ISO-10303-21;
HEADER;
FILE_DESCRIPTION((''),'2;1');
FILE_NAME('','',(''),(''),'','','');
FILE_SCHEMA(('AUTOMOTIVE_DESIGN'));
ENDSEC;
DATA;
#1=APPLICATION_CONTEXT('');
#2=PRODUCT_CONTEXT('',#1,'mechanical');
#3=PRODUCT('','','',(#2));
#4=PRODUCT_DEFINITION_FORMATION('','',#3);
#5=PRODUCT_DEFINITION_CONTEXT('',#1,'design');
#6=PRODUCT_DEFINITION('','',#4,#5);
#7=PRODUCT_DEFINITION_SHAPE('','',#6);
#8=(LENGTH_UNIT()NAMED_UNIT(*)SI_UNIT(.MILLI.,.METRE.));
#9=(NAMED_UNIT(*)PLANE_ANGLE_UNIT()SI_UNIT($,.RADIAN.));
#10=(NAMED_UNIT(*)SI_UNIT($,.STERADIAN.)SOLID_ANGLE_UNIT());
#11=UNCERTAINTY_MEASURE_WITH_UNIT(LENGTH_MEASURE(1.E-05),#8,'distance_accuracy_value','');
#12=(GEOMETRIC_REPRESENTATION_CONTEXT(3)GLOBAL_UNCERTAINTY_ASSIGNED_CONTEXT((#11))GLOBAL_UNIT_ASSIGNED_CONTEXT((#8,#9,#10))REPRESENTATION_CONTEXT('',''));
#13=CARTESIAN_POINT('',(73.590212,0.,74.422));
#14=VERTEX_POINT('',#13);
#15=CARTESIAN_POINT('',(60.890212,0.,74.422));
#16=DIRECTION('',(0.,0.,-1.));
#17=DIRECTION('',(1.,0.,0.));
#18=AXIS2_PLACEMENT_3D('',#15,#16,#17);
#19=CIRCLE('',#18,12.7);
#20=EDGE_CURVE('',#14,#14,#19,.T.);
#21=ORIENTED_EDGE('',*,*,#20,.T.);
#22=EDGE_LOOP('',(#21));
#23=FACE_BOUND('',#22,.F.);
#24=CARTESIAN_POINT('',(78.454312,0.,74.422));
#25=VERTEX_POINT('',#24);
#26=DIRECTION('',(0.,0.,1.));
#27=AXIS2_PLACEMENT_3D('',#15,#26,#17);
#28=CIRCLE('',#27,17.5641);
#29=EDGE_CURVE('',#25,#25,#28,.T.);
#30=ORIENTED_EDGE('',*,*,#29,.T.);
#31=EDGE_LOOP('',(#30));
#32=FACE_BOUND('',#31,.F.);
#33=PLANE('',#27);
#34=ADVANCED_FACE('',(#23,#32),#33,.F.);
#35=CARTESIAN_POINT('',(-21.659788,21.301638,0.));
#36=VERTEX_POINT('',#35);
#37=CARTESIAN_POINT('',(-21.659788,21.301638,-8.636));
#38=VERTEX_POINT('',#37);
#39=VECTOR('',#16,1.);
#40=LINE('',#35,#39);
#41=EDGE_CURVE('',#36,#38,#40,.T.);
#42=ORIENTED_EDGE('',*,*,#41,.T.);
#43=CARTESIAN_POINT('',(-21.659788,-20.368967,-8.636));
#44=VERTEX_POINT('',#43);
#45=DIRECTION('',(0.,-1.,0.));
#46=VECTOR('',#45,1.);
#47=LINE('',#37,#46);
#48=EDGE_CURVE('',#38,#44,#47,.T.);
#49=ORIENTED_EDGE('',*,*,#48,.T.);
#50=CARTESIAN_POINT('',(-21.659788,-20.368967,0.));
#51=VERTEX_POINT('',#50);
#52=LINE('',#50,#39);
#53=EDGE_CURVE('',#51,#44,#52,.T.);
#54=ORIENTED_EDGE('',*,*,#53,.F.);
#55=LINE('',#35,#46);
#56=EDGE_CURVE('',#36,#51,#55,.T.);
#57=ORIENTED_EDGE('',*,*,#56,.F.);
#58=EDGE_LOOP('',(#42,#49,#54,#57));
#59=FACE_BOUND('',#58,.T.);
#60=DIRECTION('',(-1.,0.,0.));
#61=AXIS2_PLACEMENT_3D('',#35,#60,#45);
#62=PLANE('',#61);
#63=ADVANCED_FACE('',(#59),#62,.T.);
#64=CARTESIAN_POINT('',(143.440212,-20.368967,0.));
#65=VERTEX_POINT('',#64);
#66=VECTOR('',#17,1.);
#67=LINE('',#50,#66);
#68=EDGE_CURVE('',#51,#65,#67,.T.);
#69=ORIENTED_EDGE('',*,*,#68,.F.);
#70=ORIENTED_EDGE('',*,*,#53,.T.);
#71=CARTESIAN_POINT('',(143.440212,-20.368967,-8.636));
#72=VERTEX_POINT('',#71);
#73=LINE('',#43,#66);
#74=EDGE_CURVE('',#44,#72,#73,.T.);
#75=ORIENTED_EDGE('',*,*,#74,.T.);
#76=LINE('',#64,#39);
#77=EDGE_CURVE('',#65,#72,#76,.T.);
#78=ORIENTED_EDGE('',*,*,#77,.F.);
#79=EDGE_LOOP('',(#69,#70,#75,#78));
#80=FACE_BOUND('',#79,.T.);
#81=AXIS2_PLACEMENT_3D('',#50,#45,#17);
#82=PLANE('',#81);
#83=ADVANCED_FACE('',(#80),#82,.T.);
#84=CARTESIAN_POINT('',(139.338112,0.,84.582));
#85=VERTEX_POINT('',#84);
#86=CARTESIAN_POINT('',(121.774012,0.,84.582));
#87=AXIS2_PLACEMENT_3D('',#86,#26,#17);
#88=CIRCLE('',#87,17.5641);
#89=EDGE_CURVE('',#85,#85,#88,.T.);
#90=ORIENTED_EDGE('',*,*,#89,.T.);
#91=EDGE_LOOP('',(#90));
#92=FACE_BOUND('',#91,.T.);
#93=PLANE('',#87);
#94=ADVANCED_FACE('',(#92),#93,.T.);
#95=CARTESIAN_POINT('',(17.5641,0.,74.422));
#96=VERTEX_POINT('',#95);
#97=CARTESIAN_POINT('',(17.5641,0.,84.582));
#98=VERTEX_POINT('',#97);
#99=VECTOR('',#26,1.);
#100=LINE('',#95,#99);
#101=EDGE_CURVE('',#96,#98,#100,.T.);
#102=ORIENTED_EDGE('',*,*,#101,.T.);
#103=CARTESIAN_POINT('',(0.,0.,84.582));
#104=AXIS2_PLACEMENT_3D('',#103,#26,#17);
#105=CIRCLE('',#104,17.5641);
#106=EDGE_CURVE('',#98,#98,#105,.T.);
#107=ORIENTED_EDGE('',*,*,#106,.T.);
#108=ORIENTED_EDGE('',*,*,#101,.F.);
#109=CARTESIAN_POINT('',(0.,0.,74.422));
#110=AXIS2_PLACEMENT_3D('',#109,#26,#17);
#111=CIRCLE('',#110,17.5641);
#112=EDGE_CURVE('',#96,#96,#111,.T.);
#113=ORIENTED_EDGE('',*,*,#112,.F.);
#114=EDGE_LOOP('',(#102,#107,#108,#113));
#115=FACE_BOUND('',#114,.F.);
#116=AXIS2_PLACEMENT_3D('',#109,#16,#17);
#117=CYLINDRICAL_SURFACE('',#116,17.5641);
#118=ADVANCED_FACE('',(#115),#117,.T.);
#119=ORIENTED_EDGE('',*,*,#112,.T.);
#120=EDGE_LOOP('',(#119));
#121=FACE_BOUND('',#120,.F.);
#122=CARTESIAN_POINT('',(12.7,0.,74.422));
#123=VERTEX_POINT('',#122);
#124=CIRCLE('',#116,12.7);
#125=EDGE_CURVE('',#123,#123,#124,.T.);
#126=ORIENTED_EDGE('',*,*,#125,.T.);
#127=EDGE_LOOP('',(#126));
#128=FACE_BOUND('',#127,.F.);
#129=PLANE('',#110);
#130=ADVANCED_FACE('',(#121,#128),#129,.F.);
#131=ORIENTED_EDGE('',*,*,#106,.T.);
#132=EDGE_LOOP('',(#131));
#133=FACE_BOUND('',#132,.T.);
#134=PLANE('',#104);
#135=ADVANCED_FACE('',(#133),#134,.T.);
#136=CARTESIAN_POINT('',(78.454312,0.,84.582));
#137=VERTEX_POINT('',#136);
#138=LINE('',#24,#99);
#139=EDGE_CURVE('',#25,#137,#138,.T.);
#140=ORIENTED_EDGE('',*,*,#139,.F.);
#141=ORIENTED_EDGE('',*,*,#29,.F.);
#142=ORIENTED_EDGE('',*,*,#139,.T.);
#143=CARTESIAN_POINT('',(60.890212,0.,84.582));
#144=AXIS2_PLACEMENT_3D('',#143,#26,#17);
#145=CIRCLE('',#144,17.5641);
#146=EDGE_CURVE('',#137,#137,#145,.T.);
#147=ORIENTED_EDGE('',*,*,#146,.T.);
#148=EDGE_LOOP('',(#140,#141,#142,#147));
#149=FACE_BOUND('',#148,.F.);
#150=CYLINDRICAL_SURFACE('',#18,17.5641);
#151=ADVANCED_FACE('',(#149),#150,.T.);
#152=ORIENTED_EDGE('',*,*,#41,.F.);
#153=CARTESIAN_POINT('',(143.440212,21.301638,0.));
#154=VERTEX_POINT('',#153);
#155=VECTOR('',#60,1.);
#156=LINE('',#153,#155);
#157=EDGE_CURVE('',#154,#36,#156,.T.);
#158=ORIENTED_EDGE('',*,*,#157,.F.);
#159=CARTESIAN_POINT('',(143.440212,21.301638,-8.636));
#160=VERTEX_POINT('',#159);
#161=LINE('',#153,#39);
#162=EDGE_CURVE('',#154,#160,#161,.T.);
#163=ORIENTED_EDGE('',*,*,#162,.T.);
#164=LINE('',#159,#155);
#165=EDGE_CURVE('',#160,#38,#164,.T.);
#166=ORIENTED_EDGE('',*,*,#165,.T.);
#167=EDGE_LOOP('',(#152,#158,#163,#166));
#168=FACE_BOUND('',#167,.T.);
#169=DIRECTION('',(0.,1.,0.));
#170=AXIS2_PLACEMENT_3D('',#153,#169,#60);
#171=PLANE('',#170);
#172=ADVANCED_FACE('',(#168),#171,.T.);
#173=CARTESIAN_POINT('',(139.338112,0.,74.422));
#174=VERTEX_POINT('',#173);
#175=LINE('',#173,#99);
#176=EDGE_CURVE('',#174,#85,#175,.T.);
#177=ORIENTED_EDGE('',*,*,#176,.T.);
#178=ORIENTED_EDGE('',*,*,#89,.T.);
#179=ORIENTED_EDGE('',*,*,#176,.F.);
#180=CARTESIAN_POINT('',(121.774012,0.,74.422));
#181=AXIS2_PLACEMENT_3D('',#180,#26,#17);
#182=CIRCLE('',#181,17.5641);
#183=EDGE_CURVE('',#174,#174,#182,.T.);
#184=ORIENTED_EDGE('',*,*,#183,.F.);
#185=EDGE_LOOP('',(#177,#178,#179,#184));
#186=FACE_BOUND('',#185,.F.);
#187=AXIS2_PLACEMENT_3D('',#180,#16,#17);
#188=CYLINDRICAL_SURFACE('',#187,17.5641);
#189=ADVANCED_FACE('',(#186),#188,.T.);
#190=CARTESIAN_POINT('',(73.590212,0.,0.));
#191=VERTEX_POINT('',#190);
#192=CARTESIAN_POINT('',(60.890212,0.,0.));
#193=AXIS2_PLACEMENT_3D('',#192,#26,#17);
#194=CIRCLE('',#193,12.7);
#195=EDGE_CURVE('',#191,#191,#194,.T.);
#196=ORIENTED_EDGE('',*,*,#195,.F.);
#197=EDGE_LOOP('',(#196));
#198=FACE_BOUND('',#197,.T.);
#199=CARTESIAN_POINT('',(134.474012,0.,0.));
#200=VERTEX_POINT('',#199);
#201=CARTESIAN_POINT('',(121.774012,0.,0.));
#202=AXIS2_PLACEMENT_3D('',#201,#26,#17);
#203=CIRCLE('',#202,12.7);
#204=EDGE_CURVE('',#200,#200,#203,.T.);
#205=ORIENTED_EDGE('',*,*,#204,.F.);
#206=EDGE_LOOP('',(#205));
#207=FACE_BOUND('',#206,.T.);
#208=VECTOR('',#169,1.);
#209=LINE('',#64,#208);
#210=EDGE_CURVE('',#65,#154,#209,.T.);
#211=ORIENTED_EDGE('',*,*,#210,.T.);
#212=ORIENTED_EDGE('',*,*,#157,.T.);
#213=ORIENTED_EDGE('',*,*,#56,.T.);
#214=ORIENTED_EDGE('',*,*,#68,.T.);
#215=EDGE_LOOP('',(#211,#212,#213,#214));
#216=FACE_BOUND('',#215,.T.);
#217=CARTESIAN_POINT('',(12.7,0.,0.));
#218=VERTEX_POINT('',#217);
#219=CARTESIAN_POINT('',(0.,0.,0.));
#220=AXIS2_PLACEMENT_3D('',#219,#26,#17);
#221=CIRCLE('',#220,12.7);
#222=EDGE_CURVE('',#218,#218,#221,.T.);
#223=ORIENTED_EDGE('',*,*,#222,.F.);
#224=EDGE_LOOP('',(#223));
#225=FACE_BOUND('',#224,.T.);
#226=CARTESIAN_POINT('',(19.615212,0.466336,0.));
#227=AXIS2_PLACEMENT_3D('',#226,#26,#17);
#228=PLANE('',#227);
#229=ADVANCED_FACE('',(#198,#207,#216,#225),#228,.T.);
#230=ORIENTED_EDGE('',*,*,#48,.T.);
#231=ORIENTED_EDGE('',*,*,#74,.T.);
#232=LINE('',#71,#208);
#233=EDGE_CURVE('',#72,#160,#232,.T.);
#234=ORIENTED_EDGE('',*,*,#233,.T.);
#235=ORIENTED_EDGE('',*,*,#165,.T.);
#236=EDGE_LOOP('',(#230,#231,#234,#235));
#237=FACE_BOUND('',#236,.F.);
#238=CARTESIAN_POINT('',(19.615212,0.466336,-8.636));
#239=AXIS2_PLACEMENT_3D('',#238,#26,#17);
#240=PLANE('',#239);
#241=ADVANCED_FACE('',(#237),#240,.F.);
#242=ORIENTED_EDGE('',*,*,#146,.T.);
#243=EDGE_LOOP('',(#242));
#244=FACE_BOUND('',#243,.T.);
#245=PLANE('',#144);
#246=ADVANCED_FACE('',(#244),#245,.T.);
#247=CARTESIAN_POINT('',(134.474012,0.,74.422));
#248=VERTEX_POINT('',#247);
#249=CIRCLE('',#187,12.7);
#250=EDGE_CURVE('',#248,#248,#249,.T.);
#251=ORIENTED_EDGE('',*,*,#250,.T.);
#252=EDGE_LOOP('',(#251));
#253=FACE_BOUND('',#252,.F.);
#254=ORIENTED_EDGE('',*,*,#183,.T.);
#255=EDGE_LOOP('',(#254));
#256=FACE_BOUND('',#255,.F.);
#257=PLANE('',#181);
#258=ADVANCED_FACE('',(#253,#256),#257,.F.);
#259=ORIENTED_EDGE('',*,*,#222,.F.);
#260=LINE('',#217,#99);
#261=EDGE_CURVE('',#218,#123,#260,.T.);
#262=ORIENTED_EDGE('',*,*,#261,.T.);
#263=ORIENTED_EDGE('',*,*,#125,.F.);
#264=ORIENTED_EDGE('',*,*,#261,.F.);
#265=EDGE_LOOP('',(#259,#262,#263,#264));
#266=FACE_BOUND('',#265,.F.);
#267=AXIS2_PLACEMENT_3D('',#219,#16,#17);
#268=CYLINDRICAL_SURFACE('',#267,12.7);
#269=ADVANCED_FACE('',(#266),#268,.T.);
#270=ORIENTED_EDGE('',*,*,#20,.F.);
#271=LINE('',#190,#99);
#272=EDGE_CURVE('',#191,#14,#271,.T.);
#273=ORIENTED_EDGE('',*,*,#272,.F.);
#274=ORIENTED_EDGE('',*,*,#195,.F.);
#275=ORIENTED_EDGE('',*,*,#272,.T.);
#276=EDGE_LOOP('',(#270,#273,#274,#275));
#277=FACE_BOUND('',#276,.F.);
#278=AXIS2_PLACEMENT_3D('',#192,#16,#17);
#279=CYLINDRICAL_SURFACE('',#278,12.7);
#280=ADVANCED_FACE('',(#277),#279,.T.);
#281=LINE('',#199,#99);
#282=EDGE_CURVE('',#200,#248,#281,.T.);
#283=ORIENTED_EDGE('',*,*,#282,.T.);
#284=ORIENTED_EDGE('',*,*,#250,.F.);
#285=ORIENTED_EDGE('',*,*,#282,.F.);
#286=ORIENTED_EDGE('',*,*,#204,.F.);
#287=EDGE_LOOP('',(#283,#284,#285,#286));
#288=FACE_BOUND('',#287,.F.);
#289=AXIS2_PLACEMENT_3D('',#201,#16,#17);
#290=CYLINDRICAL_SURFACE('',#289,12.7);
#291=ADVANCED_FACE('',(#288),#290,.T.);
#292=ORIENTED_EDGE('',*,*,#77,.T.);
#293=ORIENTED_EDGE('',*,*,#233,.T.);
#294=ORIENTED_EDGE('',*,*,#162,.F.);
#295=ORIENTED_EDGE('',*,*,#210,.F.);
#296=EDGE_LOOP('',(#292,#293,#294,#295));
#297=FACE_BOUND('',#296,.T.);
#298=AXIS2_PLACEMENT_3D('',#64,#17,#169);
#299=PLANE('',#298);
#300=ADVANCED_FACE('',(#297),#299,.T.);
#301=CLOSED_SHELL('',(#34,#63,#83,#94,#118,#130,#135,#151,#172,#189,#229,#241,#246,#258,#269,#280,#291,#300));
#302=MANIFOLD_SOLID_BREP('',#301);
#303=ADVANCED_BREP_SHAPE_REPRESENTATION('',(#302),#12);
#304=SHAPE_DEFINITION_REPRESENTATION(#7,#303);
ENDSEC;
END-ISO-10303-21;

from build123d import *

# Parameters (mm, degrees)
F0_R      = 12.7
F1_DEPTH  = 76.2
F3_R      = 17.5641
F4_DEPTH  = 10.16
F6_DEPTH  = 8.636
F7_R      = 12.7
F8_DEPTH  = 76.2
F9_R      = 17.5641
F10_DEPTH = 10.16


with BuildPart() as f1:
    # F0 (on Top) → F1 (new body)
    with BuildSketch(Plane.XY):
        Circle(F0_R)
    extrude(amount=F1_DEPTH)

    # F3 (on offset) → F4 (join)
    with BuildSketch(Plane.XY.offset(74.422)):
        Circle(F3_R)
    extrude(amount=F4_DEPTH)

    # F5 (on Top) → F6 (join)
    with BuildSketch(Plane.XY):
        Polygon((-21.659788, 21.301638), (-21.659788, -20.368967), (60.890212, -20.368967), (60.890212, 0), (60.890212, 21.301638), align=None)
        Polygon((60.890212, 0), (60.890212, -20.368967), (143.440212, -20.368967), (143.440212, 21.301638), (60.890212, 21.301638), align=None)
    extrude(amount=-F6_DEPTH)

    # F7 (on face) → F8 (join)
    with BuildSketch(Plane.XY):
        with Locations((60.890212, 0)):
            Circle(F7_R)
        with Locations((121.774012, 0)):
            Circle(F7_R)
    extrude(amount=F8_DEPTH)

    # F9 (on offset) → F10 (join)
    with BuildSketch(Plane.XY.offset(74.422)):
        with Locations((60.890212, 0)):
            Circle(F9_R)
        with Locations((121.774012, 0)):
            Circle(F9_R)
    extrude(amount=F10_DEPTH)


solid = f1.part
